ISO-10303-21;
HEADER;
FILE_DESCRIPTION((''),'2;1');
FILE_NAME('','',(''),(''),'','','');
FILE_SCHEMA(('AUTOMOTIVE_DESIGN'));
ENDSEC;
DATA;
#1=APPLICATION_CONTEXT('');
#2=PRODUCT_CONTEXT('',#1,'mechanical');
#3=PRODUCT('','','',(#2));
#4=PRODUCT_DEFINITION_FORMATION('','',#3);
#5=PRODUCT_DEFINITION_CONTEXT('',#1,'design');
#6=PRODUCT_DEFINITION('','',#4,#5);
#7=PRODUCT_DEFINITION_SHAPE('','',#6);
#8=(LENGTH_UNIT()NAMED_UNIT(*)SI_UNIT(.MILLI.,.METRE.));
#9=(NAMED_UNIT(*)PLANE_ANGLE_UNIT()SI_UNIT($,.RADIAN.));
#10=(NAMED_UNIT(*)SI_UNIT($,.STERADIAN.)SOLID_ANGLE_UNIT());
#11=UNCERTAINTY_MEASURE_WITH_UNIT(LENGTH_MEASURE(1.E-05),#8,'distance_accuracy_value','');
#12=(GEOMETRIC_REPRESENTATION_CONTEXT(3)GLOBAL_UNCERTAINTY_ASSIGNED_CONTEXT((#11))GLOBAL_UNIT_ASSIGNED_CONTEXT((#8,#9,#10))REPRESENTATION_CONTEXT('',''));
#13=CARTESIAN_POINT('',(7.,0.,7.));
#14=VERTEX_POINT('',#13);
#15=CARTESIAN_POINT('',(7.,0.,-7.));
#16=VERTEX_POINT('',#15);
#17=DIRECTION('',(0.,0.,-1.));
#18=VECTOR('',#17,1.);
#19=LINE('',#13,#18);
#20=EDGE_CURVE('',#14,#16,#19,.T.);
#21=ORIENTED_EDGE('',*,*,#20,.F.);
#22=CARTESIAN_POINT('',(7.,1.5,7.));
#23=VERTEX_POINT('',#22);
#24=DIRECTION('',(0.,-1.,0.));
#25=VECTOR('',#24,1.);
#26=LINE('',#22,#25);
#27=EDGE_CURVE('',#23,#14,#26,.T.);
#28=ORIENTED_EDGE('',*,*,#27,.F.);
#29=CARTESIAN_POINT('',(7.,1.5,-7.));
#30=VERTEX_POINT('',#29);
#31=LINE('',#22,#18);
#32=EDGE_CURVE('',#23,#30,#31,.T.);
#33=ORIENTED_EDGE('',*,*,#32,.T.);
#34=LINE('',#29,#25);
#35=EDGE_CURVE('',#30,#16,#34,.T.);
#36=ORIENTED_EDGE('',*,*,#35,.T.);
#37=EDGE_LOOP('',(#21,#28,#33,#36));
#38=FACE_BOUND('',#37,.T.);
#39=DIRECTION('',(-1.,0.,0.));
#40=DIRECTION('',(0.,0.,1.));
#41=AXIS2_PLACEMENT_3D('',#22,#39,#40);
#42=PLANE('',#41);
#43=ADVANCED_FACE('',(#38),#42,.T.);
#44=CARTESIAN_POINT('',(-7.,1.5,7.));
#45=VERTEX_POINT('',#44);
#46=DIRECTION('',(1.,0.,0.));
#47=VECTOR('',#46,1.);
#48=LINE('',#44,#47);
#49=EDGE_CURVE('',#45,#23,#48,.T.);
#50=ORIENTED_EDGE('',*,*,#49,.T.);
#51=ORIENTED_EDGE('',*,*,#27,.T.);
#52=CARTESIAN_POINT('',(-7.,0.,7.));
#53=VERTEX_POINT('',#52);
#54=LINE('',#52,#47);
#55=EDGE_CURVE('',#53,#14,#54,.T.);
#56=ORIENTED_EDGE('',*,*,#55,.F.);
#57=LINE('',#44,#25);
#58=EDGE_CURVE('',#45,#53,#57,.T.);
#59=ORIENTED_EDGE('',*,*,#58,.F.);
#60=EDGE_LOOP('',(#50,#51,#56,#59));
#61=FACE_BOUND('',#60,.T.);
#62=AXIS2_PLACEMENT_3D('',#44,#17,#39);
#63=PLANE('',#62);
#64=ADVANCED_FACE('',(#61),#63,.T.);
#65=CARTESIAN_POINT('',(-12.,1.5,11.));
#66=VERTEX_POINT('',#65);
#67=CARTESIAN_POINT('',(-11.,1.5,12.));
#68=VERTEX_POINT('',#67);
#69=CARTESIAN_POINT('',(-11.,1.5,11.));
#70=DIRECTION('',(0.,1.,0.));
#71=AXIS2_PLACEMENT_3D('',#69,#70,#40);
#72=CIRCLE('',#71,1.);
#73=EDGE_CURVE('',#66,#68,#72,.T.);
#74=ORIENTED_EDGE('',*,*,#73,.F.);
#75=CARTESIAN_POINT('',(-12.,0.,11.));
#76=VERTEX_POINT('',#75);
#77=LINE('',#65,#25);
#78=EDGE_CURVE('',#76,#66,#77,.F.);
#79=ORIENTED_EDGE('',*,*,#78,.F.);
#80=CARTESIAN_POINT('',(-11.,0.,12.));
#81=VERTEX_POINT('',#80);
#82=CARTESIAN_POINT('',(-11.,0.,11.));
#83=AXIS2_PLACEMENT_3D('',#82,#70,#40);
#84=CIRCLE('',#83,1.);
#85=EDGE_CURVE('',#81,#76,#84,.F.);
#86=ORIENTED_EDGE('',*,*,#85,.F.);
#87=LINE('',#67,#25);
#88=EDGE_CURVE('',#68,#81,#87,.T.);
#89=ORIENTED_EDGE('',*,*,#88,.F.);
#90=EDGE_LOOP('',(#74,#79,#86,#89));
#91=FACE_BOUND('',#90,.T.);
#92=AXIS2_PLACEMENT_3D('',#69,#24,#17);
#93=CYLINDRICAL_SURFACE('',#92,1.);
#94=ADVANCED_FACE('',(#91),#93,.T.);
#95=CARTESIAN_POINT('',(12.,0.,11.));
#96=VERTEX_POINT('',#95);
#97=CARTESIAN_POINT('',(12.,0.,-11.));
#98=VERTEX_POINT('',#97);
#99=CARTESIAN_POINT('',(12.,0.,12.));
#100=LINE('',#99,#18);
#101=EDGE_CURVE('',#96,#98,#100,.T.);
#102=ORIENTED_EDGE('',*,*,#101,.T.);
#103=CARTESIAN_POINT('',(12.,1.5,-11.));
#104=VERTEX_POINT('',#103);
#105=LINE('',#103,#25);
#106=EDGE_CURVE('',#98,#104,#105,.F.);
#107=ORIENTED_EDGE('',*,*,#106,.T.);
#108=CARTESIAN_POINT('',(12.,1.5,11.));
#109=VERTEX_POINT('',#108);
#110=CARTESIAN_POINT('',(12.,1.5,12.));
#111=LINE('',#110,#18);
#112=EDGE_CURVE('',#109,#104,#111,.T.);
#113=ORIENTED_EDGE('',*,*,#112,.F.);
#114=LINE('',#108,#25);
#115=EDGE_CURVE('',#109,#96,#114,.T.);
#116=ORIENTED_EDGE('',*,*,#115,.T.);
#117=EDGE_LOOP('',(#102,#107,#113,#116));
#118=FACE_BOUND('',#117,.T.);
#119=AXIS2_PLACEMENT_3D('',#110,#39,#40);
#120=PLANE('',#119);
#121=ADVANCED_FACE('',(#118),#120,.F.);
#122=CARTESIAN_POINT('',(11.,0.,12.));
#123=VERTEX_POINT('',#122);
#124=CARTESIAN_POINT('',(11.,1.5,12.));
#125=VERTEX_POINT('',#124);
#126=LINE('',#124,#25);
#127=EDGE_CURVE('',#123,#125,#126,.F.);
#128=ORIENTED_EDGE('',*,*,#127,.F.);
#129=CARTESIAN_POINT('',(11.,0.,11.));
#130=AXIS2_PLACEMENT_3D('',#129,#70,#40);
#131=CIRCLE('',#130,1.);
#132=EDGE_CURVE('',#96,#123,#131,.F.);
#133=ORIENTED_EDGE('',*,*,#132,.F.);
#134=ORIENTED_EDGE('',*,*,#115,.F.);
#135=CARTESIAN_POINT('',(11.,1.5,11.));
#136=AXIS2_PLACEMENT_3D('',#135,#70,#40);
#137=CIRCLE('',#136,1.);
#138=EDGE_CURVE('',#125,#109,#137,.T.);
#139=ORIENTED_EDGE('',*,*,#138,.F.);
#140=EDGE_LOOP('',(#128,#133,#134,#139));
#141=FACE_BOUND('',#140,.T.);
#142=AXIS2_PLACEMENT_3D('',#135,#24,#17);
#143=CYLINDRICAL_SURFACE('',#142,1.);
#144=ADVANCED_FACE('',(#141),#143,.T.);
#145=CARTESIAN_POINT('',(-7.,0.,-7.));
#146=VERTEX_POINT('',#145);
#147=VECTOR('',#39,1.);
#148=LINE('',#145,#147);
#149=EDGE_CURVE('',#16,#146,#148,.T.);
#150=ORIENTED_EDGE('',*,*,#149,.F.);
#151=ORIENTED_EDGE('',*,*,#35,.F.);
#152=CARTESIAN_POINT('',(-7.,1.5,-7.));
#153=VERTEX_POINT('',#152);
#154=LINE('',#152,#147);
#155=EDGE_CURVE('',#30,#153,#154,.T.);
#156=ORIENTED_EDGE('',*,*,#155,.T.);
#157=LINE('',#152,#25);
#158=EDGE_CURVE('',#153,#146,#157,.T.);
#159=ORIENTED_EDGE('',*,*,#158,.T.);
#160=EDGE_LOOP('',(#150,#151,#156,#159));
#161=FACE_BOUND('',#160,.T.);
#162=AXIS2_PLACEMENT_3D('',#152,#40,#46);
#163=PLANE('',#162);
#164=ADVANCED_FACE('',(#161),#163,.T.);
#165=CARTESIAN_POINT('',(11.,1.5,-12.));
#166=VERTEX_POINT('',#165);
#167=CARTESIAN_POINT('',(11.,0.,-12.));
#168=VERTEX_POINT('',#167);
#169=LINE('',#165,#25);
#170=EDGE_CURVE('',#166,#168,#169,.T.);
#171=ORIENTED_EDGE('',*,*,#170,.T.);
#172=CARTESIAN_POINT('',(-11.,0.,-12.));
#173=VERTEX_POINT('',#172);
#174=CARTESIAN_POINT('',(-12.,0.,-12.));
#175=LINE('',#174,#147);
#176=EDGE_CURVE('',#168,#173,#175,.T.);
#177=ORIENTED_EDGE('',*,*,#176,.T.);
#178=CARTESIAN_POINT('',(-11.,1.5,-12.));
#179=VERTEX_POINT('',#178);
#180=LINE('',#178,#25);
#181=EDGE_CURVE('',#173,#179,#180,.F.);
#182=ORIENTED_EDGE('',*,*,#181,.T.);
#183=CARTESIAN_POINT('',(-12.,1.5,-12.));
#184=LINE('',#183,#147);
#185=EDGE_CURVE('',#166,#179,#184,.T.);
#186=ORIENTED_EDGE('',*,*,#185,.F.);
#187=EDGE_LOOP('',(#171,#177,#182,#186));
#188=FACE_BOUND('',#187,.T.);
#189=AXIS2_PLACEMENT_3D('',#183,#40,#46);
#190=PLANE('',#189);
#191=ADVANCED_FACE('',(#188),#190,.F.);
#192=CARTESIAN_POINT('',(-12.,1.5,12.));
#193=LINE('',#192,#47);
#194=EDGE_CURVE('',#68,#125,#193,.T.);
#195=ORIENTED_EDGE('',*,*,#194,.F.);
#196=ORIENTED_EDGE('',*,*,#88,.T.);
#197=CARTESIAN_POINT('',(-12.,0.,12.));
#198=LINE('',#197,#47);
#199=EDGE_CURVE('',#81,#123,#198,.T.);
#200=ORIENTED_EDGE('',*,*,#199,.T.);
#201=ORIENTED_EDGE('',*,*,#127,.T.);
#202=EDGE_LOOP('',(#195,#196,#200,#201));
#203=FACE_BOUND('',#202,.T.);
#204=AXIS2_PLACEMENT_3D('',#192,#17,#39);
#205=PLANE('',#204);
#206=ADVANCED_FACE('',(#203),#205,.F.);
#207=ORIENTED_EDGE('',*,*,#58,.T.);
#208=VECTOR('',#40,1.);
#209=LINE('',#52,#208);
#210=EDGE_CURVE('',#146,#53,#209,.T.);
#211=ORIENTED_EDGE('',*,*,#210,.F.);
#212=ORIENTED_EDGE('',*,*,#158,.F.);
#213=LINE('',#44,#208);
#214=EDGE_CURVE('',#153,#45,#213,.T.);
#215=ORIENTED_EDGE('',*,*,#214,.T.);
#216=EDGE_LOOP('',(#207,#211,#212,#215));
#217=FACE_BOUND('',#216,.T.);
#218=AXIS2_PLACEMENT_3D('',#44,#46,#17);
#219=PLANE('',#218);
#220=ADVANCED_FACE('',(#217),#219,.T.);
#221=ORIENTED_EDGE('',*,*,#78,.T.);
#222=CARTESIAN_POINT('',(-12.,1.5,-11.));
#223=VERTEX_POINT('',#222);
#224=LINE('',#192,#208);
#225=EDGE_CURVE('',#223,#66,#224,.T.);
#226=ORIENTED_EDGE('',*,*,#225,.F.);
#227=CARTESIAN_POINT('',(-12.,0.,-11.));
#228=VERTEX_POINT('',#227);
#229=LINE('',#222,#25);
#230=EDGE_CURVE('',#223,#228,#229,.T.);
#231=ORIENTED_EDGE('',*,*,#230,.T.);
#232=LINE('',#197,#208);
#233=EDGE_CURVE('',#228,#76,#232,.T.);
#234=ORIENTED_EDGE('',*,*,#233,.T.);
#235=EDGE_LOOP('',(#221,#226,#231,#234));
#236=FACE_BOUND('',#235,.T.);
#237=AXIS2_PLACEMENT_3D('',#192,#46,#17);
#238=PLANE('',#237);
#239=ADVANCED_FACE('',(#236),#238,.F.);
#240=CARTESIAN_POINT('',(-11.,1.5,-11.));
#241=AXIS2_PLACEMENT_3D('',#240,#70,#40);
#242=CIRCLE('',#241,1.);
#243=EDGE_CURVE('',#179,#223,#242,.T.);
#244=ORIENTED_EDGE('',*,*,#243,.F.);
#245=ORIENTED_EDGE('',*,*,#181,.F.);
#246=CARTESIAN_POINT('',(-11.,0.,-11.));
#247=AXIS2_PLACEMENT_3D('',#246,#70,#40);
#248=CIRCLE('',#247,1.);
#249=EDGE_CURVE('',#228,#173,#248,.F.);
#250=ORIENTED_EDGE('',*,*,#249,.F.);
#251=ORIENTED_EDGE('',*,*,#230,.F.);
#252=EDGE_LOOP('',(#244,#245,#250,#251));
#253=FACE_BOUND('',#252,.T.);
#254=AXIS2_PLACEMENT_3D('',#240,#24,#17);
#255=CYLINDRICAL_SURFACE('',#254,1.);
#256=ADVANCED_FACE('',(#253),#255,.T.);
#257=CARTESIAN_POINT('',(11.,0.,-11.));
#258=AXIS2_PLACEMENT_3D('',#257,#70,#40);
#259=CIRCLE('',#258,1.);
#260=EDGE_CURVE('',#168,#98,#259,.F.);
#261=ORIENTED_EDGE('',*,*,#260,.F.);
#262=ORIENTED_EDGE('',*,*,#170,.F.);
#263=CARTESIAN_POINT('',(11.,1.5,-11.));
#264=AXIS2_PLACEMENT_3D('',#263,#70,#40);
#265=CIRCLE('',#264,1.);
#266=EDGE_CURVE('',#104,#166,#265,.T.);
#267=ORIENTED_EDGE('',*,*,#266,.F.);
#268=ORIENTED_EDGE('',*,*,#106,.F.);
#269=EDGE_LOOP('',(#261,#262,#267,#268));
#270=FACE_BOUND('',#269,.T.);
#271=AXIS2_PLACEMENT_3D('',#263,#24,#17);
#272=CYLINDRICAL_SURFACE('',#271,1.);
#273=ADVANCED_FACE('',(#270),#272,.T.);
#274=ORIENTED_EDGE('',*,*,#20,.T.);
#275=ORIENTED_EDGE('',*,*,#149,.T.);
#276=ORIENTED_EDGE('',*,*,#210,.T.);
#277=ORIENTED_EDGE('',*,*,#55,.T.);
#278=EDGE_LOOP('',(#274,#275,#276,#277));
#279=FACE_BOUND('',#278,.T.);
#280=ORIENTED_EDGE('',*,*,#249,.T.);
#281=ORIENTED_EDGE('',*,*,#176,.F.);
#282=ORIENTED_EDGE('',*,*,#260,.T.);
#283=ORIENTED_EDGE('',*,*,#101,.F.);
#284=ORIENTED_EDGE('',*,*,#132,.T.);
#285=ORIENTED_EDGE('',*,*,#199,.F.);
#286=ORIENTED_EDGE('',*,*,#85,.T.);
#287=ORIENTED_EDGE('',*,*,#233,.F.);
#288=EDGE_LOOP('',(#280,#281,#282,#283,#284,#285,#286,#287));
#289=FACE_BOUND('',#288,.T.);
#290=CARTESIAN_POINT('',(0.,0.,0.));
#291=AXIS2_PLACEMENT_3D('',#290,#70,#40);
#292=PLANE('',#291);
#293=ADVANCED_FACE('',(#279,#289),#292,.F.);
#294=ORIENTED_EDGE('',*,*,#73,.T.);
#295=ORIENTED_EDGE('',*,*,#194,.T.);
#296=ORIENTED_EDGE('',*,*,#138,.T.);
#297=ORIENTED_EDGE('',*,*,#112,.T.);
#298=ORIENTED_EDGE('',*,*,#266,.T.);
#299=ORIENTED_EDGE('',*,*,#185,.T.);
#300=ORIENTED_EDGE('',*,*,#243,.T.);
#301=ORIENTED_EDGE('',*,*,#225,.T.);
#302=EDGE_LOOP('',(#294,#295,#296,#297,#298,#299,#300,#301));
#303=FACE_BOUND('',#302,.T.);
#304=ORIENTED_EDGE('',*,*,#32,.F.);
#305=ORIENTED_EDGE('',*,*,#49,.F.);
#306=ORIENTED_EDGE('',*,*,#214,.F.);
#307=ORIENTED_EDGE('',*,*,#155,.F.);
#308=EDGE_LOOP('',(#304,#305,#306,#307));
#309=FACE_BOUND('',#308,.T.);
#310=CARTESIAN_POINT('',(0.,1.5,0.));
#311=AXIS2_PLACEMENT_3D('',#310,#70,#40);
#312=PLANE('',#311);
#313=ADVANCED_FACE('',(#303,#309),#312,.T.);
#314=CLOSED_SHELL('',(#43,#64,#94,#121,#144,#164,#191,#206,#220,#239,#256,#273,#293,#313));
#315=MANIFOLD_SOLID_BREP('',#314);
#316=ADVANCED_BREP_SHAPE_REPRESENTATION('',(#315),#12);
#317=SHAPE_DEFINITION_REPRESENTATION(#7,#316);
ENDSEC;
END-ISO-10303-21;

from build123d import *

# Parameters (mm, degrees)
SKETCH_1_W      = 24
SKETCH_1_H      = 24
SKETCH_1_W_2    = 14
SKETCH_1_H_2    = 14
EXTRUDE_1_DEPTH = 1.5
FILLET_1_R      = 1


with BuildPart() as part:
    # 草图1 → 凸台-拉伸1 (new body)
    with BuildSketch(Plane(origin=(0, 0, 0), x_dir=(1, 0, 0), z_dir=(0, 1, 0))):
        Rectangle(SKETCH_1_W, SKETCH_1_H)
        Rectangle(SKETCH_1_W_2, SKETCH_1_H_2, mode=Mode.SUBTRACT)
    extrude(amount=EXTRUDE_1_DEPTH)

    # 圆角1
    fillet_1_edges = [part.edges().sort_by_distance(p)[0] for p in [
        (-12, 0.75, 12),
        (-12, 0.75, -12),
        (12, 0.75, -12),
        (12, 0.75, 12),
    ]]
    fillet(fillet_1_edges, radius=FILLET_1_R)


solid = part.part
